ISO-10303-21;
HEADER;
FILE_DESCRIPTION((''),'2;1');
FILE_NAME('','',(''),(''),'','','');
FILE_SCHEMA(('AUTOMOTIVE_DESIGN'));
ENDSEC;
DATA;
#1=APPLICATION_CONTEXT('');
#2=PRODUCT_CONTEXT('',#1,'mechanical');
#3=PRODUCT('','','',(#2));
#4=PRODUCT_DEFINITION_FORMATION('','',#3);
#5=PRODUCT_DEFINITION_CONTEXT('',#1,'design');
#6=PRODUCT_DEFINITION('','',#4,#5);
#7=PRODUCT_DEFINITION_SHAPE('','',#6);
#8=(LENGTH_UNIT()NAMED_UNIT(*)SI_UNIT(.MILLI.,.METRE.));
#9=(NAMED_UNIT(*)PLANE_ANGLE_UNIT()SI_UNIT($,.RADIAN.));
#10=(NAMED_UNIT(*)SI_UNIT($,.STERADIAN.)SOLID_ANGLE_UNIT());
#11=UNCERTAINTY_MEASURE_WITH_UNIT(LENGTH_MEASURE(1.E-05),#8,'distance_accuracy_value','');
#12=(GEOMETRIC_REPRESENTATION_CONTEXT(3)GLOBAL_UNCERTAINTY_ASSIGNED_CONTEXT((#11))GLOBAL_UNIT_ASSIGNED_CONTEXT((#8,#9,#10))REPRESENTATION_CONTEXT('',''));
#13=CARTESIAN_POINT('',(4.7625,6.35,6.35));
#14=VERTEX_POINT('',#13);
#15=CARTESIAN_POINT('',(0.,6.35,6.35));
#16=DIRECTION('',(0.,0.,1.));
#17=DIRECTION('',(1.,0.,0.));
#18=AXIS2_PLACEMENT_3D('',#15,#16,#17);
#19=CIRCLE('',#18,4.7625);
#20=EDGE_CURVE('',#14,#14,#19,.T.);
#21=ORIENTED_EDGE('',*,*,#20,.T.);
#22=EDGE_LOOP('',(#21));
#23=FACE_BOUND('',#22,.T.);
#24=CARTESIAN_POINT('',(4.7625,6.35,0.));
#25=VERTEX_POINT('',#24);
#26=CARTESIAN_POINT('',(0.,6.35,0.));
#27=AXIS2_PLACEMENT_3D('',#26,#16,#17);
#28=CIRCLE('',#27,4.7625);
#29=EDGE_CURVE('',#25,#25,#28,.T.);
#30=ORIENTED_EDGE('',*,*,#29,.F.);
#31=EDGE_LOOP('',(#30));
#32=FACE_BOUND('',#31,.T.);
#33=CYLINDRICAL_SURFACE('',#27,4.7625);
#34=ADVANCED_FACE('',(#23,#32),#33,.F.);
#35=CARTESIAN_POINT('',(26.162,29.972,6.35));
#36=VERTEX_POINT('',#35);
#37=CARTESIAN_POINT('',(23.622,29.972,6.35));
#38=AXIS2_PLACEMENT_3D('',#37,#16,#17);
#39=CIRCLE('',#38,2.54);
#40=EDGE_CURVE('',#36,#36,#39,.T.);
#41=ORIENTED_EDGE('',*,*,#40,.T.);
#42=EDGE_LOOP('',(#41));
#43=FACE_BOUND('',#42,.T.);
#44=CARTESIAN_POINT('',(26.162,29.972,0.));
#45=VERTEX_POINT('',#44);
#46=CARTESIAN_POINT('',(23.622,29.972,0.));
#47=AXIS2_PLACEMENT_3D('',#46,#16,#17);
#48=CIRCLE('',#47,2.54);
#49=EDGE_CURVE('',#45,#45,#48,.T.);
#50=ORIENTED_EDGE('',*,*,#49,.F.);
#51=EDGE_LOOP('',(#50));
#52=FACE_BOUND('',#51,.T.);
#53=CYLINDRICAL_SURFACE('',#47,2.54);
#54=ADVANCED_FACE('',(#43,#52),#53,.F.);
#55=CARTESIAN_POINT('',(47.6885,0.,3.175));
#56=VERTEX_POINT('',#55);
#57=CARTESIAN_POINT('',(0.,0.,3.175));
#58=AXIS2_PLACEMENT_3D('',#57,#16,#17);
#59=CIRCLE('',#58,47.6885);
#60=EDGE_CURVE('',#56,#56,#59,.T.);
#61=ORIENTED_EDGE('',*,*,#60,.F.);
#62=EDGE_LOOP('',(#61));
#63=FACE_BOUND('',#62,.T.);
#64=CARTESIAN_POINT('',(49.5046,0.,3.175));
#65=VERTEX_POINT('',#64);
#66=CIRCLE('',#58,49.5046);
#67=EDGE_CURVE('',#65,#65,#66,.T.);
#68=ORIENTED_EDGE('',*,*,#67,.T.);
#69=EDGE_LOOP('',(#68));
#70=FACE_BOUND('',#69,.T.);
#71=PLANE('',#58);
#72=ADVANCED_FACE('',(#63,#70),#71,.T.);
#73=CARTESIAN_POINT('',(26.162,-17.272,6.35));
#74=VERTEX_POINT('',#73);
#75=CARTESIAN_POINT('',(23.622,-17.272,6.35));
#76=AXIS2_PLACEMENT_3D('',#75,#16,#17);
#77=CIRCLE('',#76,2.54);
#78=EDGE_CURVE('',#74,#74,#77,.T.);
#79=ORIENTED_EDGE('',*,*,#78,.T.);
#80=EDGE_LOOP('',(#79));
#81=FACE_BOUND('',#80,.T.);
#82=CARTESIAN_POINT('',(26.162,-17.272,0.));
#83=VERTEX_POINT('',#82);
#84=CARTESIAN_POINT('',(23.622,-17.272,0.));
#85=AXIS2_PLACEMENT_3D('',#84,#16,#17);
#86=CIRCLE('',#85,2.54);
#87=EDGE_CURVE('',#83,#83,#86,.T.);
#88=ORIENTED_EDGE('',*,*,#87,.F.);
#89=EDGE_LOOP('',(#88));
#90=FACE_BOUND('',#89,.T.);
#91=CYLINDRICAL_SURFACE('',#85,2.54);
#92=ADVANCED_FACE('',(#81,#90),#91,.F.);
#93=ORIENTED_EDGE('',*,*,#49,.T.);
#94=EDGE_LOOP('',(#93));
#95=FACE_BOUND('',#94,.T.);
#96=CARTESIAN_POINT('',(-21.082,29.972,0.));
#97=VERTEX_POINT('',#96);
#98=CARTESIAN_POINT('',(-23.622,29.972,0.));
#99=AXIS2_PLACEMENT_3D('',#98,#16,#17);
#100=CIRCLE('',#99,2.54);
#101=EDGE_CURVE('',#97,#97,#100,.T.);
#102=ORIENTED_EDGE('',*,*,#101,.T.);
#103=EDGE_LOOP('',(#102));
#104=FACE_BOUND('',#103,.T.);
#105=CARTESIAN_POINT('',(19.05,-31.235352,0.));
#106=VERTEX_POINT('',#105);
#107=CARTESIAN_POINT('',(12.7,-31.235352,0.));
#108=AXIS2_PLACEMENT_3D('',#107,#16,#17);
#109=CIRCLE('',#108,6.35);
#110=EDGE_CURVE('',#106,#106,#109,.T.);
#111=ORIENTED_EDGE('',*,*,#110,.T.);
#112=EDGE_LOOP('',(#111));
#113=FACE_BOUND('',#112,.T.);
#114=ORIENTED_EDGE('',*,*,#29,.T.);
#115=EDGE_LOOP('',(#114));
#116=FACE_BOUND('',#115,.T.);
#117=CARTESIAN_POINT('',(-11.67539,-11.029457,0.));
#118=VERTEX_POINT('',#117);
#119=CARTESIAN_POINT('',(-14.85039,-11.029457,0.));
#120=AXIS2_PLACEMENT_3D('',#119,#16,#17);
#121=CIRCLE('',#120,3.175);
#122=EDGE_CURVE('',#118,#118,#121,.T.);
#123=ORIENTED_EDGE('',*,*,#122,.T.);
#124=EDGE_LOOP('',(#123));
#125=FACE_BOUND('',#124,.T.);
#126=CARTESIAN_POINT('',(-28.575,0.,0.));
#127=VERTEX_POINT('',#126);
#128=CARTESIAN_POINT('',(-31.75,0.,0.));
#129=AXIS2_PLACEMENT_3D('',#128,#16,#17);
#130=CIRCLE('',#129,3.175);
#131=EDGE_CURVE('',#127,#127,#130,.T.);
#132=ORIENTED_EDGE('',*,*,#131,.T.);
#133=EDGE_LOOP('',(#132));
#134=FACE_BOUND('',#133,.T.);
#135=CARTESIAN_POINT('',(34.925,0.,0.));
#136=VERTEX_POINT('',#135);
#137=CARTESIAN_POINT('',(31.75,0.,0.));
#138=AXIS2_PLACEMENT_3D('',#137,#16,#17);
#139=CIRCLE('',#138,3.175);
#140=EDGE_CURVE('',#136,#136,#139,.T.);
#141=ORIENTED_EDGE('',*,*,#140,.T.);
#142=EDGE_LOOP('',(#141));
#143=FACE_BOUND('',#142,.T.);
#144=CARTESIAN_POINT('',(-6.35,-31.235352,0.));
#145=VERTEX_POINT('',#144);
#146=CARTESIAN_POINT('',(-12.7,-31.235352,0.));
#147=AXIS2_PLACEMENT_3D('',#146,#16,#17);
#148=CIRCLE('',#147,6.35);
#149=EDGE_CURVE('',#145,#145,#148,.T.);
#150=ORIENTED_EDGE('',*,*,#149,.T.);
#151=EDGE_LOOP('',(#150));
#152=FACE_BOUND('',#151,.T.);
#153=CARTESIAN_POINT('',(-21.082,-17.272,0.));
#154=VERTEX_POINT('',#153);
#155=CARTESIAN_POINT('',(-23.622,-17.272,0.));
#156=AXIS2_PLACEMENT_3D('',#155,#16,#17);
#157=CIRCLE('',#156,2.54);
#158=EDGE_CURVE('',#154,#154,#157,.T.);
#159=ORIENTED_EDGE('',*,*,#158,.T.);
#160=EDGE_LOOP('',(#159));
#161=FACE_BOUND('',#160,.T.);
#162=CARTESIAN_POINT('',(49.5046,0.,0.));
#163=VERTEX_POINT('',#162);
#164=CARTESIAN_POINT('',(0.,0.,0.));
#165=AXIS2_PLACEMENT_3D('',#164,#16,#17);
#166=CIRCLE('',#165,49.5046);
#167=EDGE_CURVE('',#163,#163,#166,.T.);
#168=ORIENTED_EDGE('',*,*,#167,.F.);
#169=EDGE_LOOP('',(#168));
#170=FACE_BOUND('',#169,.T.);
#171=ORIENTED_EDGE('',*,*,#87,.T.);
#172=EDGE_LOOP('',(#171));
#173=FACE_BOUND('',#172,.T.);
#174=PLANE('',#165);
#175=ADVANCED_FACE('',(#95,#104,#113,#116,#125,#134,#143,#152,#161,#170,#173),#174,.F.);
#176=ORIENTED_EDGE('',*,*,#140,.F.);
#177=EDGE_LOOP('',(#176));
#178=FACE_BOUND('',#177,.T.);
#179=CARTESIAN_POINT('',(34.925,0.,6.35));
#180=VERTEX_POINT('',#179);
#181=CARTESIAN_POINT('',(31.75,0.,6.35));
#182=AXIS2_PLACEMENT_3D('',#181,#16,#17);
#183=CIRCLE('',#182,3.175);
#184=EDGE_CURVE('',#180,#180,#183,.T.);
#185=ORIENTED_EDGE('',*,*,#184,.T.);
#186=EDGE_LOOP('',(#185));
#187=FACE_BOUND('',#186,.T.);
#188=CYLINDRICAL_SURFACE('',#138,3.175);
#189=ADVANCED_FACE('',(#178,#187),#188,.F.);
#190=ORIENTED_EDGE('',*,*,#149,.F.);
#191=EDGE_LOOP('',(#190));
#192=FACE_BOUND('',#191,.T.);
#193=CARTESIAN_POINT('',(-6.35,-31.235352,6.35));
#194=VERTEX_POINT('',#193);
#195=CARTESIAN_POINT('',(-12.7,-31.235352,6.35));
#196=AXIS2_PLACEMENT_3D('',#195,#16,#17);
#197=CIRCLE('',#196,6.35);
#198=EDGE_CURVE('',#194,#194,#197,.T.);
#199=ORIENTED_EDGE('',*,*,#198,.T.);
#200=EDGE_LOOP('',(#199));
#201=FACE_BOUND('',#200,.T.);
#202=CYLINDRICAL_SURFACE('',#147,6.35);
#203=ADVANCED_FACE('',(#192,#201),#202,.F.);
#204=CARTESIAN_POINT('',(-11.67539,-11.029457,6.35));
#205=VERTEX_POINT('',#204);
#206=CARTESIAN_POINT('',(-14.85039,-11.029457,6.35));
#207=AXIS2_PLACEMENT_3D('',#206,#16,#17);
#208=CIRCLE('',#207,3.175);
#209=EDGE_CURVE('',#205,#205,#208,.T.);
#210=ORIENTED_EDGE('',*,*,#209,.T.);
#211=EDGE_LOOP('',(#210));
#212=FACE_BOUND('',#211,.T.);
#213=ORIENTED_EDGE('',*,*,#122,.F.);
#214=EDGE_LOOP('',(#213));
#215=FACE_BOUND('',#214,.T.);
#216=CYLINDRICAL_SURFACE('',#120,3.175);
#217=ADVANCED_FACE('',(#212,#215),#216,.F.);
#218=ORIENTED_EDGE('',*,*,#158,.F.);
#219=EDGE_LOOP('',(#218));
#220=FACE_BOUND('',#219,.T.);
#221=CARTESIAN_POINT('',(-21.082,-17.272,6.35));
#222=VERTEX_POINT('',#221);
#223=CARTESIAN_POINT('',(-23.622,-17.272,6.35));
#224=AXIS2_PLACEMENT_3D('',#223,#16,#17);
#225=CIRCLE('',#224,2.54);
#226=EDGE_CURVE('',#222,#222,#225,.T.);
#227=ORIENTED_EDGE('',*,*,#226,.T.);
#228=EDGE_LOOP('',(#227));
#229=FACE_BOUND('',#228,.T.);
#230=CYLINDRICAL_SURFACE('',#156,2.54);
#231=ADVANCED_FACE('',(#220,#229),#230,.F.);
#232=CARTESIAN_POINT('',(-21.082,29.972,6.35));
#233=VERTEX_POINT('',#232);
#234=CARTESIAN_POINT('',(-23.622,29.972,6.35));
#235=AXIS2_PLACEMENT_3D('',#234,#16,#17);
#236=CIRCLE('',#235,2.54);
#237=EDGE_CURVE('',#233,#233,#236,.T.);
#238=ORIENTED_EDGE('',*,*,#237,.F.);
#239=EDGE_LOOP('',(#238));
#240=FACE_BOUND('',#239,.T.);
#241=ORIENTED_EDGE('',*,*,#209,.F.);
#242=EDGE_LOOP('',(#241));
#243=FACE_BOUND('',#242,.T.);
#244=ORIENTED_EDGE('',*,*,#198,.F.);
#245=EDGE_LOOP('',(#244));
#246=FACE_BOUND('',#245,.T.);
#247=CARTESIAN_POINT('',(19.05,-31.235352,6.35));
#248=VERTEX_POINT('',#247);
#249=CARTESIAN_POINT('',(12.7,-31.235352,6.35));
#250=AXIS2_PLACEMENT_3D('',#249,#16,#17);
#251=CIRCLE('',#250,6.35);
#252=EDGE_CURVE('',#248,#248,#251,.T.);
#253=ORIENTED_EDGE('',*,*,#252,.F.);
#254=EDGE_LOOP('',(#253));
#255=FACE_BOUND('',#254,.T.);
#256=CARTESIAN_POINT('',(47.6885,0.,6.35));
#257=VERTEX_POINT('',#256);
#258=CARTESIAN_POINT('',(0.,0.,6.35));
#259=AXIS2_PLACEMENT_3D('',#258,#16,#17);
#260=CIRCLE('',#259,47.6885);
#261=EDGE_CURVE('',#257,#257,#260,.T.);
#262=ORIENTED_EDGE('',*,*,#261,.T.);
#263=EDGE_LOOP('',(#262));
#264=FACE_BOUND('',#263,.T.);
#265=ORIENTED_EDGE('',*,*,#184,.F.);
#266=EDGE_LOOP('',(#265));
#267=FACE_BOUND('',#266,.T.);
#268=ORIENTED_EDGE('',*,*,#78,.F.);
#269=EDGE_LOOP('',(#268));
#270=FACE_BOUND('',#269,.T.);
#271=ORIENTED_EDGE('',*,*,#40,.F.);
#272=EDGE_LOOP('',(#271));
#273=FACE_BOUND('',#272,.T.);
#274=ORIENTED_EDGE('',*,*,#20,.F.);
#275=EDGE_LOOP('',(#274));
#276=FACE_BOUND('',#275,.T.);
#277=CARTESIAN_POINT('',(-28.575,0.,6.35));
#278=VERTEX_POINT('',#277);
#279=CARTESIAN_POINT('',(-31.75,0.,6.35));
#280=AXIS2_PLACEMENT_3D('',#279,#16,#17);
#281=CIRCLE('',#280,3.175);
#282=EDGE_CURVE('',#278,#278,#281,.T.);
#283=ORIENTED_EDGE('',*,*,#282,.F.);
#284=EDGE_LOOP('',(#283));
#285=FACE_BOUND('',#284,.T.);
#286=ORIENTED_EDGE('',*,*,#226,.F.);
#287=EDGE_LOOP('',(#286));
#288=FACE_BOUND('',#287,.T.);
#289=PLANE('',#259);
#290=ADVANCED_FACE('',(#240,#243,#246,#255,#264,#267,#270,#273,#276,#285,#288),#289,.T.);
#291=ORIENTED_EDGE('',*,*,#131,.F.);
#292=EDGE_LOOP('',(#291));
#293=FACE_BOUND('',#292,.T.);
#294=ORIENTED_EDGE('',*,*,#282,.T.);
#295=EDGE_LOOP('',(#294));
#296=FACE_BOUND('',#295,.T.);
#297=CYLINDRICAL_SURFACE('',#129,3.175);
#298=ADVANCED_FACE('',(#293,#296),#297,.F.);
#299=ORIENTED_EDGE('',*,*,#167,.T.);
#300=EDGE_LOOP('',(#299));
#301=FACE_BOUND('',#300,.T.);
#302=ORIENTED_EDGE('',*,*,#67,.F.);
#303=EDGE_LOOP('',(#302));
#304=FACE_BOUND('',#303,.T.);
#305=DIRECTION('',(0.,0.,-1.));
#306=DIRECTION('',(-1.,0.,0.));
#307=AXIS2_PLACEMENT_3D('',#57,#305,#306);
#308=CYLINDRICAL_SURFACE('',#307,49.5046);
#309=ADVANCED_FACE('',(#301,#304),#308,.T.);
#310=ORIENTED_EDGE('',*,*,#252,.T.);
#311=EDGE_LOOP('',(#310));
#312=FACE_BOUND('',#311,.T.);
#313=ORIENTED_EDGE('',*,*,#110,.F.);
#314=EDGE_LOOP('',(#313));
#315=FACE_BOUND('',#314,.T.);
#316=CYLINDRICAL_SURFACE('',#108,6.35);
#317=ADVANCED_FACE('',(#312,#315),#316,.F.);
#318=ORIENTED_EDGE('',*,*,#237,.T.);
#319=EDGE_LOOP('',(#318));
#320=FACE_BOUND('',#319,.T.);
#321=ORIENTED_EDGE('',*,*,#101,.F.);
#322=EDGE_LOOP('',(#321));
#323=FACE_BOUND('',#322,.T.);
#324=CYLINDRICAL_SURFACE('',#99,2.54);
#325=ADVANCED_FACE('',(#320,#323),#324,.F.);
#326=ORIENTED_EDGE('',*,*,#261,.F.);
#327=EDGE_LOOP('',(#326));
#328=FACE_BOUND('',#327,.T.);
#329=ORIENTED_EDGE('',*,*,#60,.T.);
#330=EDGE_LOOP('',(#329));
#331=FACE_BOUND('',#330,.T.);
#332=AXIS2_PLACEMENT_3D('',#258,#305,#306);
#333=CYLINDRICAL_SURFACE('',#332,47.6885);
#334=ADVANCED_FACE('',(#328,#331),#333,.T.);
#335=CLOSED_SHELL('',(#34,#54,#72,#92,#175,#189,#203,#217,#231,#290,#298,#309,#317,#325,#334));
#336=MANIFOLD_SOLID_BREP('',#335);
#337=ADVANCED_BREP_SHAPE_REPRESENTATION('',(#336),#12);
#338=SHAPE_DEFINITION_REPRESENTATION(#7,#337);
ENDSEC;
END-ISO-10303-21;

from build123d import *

# Parameters (mm, degrees)
SKETCH1_R           = 49.5046
BOSS_EXTRUDE1_DEPTH = 3.175
SKETCH2_R           = 47.6885
BOSS_EXTRUDE2_DEPTH = 3.175
SKETCH3_R           = 6.35
SKETCH3_R_2         = 3.175
SKETCH3_R_3         = 4.7625
SKETCH3_R_4         = 2.54
CUT_EXTRUDE1_DEPTH  = 71.297463271


with BuildPart() as part:
    # Sketch1 → Boss-Extrude1 (new body)
    with BuildSketch(Plane.XY):
        Circle(SKETCH1_R)
    extrude(amount=BOSS_EXTRUDE1_DEPTH)

    # Sketch2 → Boss-Extrude2 (add)
    with BuildSketch(Plane.XY.offset(3.175)):
        Circle(SKETCH2_R)
    extrude(amount=BOSS_EXTRUDE2_DEPTH)

    # Sketch3 → Cut-Extrude1 (cut, through all)
    with BuildSketch(Plane.XY.offset(6.35)):
        with Locations((-12.7, -31.235352443)):
            Circle(SKETCH3_R)
        with Locations((12.7, -31.235352443)):
            Circle(SKETCH3_R)
        with Locations((-31.75, 0)):
            Circle(SKETCH3_R_2)
        with Locations((31.75, 0)):
            Circle(SKETCH3_R_2)
        with Locations((0, 6.35)):
            Circle(SKETCH3_R_3)
        with Locations((-14.850390051, -11.029456704)):
            Circle(SKETCH3_R_2)
        with Locations((-23.622, 29.972)):
            Circle(SKETCH3_R_4)
        with Locations((23.622, 29.972)):
            Circle(SKETCH3_R_4)
        with Locations((23.622, -17.272)):
            Circle(SKETCH3_R_4)
        with Locations((-23.622, -17.272)):
            Circle(SKETCH3_R_4)
    extrude(amount=-CUT_EXTRUDE1_DEPTH, mode=Mode.SUBTRACT)


solid = part.part
